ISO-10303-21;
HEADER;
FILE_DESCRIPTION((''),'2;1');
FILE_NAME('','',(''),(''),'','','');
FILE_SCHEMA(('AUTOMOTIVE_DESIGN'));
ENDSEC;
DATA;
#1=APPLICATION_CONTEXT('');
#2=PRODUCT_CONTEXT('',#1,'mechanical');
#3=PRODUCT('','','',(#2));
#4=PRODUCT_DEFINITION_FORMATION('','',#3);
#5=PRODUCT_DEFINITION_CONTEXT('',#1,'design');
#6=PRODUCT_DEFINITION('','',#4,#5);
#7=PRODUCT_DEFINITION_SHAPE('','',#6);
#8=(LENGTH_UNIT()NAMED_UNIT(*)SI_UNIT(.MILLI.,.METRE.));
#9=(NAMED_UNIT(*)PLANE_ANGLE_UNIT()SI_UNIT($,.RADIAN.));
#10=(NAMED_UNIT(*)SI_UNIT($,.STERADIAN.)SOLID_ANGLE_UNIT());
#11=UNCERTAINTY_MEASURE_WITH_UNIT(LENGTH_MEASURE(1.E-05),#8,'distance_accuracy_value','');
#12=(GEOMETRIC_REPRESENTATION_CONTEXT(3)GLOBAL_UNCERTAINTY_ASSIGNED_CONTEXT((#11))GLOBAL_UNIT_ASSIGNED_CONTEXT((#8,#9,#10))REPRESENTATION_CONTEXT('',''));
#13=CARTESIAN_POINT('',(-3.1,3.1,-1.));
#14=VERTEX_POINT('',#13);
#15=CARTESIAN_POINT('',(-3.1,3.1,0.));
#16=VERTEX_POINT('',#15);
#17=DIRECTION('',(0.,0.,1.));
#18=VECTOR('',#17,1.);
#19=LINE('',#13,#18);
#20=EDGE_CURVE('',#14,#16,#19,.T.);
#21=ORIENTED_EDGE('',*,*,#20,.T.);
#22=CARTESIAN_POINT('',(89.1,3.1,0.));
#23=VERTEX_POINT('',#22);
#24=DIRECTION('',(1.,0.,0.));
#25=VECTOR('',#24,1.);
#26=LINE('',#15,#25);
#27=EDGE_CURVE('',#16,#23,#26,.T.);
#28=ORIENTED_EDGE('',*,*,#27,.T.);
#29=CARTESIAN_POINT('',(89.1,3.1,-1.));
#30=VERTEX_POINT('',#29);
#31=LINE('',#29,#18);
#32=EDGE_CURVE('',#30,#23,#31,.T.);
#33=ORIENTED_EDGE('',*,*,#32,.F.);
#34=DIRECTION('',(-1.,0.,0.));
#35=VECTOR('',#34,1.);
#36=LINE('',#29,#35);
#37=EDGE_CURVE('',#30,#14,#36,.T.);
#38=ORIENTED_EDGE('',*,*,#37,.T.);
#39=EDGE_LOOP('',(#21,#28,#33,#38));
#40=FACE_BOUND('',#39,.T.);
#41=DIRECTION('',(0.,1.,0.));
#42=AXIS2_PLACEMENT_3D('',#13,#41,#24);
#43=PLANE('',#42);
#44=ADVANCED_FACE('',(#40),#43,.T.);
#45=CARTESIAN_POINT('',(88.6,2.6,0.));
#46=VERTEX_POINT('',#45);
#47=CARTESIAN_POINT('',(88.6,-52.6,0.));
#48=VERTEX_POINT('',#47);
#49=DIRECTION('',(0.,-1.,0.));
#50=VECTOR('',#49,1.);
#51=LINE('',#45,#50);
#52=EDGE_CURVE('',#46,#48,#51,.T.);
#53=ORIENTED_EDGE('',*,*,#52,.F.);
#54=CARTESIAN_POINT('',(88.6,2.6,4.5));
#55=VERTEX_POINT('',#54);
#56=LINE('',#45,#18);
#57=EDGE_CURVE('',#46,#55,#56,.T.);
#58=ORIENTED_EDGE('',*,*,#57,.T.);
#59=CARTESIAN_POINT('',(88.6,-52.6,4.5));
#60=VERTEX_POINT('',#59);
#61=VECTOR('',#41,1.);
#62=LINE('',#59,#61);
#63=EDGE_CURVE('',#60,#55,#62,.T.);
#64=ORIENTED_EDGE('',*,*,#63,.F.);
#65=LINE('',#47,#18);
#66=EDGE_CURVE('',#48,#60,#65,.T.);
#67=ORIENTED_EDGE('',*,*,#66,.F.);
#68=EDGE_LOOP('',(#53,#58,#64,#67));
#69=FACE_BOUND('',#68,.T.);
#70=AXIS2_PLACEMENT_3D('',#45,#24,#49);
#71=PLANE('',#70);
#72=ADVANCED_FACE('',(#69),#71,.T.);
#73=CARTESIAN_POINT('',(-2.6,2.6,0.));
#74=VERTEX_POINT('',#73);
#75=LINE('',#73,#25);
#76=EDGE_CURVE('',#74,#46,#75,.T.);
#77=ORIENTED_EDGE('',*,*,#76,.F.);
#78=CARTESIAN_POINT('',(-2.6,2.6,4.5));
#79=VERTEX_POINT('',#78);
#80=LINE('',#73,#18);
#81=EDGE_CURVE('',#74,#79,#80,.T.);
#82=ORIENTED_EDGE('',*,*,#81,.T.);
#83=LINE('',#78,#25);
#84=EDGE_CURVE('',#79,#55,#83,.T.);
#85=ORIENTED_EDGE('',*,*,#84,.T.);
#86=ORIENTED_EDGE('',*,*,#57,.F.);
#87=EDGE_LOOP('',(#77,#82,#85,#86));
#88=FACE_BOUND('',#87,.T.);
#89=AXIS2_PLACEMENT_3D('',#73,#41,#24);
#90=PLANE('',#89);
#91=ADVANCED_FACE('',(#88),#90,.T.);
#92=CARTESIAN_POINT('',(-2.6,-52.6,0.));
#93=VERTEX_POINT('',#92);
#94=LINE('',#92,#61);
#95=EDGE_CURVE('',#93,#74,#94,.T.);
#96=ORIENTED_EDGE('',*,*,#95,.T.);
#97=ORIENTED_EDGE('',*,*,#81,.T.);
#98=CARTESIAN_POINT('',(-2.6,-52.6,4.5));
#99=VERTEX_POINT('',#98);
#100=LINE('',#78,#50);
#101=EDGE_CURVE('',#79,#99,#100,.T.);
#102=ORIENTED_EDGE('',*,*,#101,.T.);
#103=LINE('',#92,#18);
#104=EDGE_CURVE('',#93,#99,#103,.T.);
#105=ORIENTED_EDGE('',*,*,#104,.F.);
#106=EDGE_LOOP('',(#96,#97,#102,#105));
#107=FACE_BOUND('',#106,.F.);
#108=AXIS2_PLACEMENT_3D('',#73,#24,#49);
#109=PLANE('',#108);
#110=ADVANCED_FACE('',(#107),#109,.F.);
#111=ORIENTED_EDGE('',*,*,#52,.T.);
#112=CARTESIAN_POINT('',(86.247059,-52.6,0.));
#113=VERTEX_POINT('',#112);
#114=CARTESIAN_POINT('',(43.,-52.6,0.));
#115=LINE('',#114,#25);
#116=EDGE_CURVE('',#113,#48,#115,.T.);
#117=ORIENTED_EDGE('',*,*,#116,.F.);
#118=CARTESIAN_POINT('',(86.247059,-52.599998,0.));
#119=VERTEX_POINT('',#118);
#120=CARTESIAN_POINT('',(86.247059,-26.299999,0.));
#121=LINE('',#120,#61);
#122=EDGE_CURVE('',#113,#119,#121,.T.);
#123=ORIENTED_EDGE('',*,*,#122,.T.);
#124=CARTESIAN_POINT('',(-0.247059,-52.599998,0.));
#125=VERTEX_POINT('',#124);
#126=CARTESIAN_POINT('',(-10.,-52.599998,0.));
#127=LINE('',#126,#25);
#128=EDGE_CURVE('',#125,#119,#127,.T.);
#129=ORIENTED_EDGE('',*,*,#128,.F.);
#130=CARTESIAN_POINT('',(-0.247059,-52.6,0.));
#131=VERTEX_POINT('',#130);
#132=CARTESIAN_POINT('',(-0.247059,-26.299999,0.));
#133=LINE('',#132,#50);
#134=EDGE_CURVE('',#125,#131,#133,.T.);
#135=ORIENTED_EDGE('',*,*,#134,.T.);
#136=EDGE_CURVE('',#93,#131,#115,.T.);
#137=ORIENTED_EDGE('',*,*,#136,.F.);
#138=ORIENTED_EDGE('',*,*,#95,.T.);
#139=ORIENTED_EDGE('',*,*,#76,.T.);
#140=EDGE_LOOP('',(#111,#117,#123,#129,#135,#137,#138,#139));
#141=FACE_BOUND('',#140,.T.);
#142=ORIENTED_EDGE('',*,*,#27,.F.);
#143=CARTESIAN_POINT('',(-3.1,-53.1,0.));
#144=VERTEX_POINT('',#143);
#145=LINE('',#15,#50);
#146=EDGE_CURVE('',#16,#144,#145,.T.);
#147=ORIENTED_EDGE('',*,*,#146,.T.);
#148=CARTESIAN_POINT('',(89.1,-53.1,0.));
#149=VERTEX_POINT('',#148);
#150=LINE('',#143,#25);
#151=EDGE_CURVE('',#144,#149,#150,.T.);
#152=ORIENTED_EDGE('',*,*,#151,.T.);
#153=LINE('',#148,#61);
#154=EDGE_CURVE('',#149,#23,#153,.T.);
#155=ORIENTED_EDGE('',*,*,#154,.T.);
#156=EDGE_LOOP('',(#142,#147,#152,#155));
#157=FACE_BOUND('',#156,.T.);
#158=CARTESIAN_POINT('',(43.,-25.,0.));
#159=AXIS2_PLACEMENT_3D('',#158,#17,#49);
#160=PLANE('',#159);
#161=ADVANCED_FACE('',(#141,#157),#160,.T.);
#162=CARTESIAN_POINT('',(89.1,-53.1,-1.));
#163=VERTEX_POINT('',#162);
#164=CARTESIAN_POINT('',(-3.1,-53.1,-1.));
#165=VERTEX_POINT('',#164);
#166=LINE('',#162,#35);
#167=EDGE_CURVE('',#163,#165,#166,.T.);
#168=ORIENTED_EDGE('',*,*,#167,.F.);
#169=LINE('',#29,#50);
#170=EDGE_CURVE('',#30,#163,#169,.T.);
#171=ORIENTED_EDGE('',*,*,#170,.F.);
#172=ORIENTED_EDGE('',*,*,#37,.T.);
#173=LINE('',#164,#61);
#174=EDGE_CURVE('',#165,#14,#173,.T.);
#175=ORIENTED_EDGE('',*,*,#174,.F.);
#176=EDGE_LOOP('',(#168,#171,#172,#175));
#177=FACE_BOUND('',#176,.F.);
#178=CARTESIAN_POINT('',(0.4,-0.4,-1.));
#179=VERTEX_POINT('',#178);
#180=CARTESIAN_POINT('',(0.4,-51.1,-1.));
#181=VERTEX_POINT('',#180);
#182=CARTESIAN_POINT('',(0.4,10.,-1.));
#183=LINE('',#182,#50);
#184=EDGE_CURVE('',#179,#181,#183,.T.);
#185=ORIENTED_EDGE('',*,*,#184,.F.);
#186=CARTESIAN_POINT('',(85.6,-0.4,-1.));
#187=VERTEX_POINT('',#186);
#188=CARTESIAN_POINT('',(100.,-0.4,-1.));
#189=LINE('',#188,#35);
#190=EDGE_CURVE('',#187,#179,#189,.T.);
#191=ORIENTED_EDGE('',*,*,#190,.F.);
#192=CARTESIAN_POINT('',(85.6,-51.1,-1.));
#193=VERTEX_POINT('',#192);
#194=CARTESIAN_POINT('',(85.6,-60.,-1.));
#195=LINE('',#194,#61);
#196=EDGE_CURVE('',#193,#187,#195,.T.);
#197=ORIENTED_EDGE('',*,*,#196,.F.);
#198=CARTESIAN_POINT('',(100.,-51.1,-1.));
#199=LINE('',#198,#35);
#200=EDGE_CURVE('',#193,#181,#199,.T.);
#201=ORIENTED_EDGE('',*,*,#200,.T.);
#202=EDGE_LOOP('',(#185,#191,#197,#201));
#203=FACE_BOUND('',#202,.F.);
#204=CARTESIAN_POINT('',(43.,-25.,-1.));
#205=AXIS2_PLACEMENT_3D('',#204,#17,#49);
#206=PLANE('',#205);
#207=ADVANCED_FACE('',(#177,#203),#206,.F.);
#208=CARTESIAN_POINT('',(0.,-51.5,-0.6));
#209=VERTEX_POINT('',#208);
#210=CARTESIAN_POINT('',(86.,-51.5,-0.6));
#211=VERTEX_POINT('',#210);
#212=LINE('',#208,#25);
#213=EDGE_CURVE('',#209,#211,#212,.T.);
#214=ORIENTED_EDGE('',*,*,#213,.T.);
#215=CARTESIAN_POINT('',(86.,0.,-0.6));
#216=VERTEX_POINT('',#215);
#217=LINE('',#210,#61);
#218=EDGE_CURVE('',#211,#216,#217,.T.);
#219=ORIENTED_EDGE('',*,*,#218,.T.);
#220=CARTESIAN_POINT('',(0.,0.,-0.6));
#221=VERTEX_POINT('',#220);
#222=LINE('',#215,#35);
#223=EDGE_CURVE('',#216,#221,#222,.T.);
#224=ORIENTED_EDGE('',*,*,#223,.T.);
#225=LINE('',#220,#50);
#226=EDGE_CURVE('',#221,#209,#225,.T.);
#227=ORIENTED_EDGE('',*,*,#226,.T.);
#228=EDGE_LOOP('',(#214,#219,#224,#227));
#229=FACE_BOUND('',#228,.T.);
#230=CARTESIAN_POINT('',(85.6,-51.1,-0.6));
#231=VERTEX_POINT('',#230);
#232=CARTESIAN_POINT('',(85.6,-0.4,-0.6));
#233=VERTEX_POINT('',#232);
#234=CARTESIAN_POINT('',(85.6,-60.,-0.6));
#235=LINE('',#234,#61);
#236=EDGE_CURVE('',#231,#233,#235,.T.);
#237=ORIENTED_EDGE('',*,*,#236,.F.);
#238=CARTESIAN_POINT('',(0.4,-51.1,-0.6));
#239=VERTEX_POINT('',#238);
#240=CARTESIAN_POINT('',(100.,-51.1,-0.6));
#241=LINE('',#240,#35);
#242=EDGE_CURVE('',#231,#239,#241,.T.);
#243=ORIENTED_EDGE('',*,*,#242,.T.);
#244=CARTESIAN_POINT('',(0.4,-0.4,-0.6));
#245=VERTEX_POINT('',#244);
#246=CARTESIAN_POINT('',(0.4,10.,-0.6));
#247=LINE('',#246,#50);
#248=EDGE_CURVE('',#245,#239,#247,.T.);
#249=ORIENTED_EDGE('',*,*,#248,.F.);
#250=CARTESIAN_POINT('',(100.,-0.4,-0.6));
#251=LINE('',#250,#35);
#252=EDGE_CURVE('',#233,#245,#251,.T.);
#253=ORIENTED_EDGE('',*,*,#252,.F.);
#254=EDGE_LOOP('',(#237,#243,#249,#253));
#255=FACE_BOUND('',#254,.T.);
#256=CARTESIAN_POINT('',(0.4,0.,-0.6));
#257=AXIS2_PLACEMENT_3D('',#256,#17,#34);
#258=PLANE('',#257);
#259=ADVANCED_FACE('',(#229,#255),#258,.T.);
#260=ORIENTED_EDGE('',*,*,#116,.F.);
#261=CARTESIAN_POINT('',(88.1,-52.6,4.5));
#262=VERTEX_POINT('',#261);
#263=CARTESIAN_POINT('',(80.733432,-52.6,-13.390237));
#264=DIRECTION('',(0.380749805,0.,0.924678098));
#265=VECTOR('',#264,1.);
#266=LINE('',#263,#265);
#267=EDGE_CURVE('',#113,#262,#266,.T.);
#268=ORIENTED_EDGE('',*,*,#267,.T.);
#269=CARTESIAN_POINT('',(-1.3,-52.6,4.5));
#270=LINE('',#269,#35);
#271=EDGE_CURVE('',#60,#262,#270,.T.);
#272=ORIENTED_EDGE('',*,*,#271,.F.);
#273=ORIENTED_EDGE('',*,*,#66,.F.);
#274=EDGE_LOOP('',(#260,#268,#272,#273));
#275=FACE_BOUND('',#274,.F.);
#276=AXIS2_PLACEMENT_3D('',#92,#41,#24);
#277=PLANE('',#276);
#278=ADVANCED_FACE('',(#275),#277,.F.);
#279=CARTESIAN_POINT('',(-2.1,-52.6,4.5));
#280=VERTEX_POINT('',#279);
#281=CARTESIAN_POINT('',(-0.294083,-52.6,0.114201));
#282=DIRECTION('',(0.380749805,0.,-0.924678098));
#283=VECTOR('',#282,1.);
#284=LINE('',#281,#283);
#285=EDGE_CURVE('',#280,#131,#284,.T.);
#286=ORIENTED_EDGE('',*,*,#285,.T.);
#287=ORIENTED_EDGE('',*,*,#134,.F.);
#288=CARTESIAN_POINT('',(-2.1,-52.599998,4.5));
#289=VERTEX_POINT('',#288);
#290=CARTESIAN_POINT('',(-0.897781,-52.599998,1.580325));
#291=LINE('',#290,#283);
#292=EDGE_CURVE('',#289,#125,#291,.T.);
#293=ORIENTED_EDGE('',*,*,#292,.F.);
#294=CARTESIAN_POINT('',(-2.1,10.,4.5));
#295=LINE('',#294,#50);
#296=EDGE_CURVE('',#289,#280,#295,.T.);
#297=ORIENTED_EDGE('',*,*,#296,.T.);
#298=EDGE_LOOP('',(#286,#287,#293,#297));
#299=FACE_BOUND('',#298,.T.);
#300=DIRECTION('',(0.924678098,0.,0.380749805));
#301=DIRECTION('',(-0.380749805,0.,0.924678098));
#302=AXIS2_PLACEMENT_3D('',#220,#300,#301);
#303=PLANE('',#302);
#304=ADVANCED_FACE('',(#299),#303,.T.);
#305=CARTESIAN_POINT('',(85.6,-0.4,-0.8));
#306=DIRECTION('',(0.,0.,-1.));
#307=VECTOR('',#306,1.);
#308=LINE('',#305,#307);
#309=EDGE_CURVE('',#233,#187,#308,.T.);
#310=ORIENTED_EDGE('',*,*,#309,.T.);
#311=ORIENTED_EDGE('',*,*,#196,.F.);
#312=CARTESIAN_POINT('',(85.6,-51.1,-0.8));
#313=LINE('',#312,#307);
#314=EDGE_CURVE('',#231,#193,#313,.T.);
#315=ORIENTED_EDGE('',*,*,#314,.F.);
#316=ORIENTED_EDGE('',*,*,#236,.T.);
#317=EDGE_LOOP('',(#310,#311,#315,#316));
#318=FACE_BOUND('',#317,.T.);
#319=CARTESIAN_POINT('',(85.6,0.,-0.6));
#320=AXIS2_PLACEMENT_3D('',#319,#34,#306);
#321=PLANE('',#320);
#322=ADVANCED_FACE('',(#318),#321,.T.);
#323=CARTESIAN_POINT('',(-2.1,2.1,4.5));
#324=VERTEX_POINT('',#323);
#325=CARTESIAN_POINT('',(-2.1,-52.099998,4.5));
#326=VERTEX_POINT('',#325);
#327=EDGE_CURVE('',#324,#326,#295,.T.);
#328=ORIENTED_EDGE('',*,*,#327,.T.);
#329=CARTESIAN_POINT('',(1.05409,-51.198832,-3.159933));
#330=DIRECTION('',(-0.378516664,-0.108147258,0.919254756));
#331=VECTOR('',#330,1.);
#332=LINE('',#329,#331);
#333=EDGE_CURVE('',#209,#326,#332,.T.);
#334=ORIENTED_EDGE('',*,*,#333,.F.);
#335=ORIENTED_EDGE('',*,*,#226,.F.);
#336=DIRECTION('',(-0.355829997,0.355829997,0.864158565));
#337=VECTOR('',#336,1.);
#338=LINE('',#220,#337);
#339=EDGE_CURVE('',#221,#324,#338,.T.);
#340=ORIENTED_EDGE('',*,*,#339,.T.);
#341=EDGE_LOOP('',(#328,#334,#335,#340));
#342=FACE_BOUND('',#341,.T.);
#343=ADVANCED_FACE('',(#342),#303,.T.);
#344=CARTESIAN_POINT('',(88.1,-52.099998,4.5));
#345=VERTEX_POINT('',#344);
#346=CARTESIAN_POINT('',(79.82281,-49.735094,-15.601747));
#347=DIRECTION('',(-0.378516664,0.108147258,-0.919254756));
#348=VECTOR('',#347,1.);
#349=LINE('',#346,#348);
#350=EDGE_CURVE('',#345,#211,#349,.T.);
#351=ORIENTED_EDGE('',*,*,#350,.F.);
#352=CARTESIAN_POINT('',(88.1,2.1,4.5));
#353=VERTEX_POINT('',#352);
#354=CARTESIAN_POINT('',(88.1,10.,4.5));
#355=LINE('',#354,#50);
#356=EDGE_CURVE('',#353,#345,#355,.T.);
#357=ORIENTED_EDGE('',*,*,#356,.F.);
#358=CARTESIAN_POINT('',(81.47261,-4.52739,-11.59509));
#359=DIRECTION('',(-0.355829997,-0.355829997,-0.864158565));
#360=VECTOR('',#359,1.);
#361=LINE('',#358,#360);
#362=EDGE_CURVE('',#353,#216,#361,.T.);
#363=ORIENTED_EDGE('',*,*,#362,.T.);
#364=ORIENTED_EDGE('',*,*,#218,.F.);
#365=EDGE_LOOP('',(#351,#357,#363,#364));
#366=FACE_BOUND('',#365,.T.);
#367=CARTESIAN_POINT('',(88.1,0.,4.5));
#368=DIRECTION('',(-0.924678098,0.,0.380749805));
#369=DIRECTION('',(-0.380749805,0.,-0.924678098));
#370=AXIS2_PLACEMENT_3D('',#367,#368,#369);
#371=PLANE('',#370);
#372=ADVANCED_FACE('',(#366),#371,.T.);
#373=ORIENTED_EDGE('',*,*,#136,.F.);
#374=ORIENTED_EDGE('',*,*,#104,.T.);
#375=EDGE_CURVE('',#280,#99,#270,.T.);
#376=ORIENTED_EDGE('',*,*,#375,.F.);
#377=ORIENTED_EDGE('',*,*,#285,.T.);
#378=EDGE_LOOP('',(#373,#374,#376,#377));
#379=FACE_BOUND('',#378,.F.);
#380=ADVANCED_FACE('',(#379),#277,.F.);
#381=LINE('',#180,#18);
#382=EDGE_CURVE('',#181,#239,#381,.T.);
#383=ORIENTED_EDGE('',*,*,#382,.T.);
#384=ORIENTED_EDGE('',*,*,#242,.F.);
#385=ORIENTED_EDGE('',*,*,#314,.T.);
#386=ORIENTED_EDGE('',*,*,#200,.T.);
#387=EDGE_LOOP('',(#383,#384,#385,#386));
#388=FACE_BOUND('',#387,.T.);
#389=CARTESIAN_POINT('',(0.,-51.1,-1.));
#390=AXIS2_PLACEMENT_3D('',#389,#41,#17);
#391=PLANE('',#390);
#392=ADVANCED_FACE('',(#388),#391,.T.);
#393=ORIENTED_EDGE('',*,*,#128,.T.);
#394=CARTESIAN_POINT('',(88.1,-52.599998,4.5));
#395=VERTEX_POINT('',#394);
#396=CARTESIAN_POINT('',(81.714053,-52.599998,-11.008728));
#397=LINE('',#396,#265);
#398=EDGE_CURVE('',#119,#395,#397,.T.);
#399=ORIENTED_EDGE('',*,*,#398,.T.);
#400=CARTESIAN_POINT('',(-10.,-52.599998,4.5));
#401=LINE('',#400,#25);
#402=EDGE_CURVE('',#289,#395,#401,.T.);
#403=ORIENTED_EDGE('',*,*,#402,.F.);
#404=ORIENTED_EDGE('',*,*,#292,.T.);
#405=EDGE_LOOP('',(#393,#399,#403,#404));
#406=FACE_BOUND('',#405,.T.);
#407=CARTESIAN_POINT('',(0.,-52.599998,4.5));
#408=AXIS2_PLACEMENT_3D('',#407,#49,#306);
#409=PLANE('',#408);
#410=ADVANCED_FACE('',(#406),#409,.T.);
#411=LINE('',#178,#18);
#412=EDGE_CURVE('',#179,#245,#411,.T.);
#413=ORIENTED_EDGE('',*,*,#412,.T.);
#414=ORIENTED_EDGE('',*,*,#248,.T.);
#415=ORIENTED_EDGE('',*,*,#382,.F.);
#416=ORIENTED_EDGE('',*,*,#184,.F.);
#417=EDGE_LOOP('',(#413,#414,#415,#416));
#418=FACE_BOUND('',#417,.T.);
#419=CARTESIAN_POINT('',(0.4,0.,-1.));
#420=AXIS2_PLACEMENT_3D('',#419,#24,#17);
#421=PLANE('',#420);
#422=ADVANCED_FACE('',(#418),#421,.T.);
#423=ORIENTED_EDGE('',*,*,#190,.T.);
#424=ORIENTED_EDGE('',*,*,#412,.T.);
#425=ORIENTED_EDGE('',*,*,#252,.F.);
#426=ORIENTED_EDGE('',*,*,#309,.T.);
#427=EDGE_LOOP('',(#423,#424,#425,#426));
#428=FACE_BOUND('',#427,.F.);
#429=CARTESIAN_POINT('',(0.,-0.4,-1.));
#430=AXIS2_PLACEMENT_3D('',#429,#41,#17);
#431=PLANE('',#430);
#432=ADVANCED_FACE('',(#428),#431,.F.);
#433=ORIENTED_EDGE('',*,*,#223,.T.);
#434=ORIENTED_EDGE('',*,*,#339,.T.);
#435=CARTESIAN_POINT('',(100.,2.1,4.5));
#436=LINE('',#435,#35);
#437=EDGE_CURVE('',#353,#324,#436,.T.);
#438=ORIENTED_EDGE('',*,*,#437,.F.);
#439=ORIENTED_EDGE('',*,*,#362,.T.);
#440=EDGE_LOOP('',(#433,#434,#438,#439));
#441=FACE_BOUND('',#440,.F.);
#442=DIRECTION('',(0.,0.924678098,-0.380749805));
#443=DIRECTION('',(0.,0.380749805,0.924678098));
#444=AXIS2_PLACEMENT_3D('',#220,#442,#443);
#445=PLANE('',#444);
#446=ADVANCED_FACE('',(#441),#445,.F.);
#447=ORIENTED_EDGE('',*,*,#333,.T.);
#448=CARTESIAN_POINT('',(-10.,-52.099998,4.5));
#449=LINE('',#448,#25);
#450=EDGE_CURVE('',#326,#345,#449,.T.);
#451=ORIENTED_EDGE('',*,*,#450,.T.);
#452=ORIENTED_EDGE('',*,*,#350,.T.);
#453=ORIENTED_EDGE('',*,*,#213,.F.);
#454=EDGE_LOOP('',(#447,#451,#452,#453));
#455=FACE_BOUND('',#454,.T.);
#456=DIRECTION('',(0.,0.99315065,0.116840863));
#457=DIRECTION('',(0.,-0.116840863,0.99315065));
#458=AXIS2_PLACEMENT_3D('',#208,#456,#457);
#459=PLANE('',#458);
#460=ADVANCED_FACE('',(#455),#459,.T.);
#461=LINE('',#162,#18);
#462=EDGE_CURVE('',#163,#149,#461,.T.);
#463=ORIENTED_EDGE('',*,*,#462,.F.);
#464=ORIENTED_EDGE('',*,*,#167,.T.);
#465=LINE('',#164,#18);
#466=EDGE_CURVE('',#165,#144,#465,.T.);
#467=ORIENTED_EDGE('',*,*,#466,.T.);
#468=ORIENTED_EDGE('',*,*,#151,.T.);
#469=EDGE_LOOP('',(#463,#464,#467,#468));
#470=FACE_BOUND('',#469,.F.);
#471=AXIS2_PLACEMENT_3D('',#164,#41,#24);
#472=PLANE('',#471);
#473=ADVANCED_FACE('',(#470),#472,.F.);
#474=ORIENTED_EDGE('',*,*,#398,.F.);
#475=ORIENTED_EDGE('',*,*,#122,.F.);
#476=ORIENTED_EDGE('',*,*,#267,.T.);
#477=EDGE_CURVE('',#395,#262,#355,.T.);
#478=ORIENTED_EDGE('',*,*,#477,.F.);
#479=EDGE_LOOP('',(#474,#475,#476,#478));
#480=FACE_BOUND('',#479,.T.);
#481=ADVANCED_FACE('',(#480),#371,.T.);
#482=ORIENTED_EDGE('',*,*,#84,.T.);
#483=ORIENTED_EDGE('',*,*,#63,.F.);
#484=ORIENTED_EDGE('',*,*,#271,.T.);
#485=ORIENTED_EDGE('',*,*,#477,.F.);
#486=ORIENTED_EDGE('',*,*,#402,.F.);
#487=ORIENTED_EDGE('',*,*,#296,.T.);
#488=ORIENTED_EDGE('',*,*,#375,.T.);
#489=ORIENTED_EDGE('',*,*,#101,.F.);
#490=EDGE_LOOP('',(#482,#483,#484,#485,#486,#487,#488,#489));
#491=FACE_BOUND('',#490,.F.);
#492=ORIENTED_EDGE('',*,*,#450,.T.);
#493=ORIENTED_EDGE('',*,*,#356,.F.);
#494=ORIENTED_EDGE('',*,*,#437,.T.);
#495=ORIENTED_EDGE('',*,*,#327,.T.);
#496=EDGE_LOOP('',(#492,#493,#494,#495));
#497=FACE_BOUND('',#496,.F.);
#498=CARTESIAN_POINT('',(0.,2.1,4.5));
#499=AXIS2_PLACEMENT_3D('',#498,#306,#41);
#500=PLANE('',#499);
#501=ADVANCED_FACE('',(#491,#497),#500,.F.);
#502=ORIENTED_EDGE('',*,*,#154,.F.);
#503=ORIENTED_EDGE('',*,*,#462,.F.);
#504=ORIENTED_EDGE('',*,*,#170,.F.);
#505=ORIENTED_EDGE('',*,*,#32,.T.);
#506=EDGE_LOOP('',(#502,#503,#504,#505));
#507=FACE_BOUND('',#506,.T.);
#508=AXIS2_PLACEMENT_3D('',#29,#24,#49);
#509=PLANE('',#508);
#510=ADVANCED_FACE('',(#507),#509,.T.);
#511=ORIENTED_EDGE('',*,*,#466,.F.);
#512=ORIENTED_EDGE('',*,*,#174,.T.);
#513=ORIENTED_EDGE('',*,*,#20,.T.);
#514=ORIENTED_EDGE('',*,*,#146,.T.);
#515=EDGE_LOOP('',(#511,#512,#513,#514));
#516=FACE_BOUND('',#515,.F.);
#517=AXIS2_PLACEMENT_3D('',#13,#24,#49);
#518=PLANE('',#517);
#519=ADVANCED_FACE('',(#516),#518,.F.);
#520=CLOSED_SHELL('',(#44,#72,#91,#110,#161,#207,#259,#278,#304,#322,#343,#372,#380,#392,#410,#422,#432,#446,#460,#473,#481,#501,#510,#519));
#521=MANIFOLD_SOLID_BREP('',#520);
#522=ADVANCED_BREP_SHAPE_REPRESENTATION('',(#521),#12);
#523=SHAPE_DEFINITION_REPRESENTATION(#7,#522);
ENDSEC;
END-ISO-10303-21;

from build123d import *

# Parameters (mm, degrees)
PAD005_DEPTH           = 100
PAD005_DEPTH_BACK      = 10
PAD004_DEPTH           = 60
PAD004_DEPTH_BACK      = 10
BOX_W                  = 55.2
BOX_H                  = 91.2
BOX_DEPTH              = 5.5
BOX_PLACEMENT_ANGLE    = -90
BOX001_W               = 56.2
BOX001_H               = 92.2
BOX001_DEPTH           = 1
BOX001_PLACEMENT_ANGLE = -90


with BuildPart() as pad_bezel_top_bottom:
    # Sketch006 → Pad005 (new body, two sides)
    with BuildSketch(Plane.YZ) as pad005_sk:
        Polygon((3.1, -1), (-0.4, -1), (-0.4, -0.6), (0, -0.6), (2.1, 4.5), (2.6, 4.5), (2.6, 0), (3.1, 0), align=None)
        Polygon((-51.5, -0.6), (-52.099998, 4.5), (-52.599998, 4.5), (-52.599998, 0), (-53.1, 0), (-53.1, -1), (-51.1, -1), (-51.1, -0.6), align=None)
    extrude(amount=PAD005_DEPTH)
    extrude(pad005_sk.sketch, amount=-PAD005_DEPTH_BACK)


with BuildPart() as fusion:
    # Sketch005 → Pad004 (new body, two sides)
    with BuildSketch(Plane.XZ) as pad004_sk:
        Polygon((-3.1, -1), (0.4, -1), (0.4, -0.6), (0, -0.6), (-2.1, 4.5), (-2.6, 4.5), (-2.6, 0), (-3.1, 0), align=None)
        Polygon((85.6, -1), (89.1, -1), (89.1, 0), (88.6, 0), (88.6, 4.5), (88.1, 4.5), (86, -0.6), (85.6, -0.6), align=None)
    extrude(amount=PAD004_DEPTH)
    extrude(pad004_sk.sketch, amount=-PAD004_DEPTH_BACK)

    # Fusion: union Pad (bezel top/bottom)
    add(pad_bezel_top_bottom.part)


with BuildPart() as cube_bezel_main:
    # Box → Box (new body)
    with BuildSketch(Plane.XY):
        with Locations((27.6, 45.6)):
            Rectangle(BOX_W, BOX_H)
    extrude(amount=BOX_DEPTH)


with BuildPart() as cube_bezel_main_1:
    # Box placement: moved
    add(cube_bezel_main.part.moved(Location((-2.6, 2.6, 0))).rotate(Axis((-2.6, 2.6, 0), (0, 0, 1)), BOX_PLACEMENT_ANGLE))


with BuildPart() as common_bezel:
    # Box001 → Box001 (new body)
    with BuildSketch(Plane.XY):
        with Locations((28.1, 46.1)):
            Rectangle(BOX001_W, BOX001_H)
    extrude(amount=BOX001_DEPTH)


with BuildPart() as common_bezel_1:
    # Box001 placement: moved
    add(common_bezel.part.moved(Location((-3.1, 3.1, -1))).rotate(Axis((-3.1, 3.1, -1), (0, 0, 1)), BOX001_PLACEMENT_ANGLE))

    # Fusion001: union Cube (bezel main)
    add(cube_bezel_main_1.part)

    # Common: intersect Fusion
    add(fusion.part, mode=Mode.INTERSECT)


solid = common_bezel_1.part
